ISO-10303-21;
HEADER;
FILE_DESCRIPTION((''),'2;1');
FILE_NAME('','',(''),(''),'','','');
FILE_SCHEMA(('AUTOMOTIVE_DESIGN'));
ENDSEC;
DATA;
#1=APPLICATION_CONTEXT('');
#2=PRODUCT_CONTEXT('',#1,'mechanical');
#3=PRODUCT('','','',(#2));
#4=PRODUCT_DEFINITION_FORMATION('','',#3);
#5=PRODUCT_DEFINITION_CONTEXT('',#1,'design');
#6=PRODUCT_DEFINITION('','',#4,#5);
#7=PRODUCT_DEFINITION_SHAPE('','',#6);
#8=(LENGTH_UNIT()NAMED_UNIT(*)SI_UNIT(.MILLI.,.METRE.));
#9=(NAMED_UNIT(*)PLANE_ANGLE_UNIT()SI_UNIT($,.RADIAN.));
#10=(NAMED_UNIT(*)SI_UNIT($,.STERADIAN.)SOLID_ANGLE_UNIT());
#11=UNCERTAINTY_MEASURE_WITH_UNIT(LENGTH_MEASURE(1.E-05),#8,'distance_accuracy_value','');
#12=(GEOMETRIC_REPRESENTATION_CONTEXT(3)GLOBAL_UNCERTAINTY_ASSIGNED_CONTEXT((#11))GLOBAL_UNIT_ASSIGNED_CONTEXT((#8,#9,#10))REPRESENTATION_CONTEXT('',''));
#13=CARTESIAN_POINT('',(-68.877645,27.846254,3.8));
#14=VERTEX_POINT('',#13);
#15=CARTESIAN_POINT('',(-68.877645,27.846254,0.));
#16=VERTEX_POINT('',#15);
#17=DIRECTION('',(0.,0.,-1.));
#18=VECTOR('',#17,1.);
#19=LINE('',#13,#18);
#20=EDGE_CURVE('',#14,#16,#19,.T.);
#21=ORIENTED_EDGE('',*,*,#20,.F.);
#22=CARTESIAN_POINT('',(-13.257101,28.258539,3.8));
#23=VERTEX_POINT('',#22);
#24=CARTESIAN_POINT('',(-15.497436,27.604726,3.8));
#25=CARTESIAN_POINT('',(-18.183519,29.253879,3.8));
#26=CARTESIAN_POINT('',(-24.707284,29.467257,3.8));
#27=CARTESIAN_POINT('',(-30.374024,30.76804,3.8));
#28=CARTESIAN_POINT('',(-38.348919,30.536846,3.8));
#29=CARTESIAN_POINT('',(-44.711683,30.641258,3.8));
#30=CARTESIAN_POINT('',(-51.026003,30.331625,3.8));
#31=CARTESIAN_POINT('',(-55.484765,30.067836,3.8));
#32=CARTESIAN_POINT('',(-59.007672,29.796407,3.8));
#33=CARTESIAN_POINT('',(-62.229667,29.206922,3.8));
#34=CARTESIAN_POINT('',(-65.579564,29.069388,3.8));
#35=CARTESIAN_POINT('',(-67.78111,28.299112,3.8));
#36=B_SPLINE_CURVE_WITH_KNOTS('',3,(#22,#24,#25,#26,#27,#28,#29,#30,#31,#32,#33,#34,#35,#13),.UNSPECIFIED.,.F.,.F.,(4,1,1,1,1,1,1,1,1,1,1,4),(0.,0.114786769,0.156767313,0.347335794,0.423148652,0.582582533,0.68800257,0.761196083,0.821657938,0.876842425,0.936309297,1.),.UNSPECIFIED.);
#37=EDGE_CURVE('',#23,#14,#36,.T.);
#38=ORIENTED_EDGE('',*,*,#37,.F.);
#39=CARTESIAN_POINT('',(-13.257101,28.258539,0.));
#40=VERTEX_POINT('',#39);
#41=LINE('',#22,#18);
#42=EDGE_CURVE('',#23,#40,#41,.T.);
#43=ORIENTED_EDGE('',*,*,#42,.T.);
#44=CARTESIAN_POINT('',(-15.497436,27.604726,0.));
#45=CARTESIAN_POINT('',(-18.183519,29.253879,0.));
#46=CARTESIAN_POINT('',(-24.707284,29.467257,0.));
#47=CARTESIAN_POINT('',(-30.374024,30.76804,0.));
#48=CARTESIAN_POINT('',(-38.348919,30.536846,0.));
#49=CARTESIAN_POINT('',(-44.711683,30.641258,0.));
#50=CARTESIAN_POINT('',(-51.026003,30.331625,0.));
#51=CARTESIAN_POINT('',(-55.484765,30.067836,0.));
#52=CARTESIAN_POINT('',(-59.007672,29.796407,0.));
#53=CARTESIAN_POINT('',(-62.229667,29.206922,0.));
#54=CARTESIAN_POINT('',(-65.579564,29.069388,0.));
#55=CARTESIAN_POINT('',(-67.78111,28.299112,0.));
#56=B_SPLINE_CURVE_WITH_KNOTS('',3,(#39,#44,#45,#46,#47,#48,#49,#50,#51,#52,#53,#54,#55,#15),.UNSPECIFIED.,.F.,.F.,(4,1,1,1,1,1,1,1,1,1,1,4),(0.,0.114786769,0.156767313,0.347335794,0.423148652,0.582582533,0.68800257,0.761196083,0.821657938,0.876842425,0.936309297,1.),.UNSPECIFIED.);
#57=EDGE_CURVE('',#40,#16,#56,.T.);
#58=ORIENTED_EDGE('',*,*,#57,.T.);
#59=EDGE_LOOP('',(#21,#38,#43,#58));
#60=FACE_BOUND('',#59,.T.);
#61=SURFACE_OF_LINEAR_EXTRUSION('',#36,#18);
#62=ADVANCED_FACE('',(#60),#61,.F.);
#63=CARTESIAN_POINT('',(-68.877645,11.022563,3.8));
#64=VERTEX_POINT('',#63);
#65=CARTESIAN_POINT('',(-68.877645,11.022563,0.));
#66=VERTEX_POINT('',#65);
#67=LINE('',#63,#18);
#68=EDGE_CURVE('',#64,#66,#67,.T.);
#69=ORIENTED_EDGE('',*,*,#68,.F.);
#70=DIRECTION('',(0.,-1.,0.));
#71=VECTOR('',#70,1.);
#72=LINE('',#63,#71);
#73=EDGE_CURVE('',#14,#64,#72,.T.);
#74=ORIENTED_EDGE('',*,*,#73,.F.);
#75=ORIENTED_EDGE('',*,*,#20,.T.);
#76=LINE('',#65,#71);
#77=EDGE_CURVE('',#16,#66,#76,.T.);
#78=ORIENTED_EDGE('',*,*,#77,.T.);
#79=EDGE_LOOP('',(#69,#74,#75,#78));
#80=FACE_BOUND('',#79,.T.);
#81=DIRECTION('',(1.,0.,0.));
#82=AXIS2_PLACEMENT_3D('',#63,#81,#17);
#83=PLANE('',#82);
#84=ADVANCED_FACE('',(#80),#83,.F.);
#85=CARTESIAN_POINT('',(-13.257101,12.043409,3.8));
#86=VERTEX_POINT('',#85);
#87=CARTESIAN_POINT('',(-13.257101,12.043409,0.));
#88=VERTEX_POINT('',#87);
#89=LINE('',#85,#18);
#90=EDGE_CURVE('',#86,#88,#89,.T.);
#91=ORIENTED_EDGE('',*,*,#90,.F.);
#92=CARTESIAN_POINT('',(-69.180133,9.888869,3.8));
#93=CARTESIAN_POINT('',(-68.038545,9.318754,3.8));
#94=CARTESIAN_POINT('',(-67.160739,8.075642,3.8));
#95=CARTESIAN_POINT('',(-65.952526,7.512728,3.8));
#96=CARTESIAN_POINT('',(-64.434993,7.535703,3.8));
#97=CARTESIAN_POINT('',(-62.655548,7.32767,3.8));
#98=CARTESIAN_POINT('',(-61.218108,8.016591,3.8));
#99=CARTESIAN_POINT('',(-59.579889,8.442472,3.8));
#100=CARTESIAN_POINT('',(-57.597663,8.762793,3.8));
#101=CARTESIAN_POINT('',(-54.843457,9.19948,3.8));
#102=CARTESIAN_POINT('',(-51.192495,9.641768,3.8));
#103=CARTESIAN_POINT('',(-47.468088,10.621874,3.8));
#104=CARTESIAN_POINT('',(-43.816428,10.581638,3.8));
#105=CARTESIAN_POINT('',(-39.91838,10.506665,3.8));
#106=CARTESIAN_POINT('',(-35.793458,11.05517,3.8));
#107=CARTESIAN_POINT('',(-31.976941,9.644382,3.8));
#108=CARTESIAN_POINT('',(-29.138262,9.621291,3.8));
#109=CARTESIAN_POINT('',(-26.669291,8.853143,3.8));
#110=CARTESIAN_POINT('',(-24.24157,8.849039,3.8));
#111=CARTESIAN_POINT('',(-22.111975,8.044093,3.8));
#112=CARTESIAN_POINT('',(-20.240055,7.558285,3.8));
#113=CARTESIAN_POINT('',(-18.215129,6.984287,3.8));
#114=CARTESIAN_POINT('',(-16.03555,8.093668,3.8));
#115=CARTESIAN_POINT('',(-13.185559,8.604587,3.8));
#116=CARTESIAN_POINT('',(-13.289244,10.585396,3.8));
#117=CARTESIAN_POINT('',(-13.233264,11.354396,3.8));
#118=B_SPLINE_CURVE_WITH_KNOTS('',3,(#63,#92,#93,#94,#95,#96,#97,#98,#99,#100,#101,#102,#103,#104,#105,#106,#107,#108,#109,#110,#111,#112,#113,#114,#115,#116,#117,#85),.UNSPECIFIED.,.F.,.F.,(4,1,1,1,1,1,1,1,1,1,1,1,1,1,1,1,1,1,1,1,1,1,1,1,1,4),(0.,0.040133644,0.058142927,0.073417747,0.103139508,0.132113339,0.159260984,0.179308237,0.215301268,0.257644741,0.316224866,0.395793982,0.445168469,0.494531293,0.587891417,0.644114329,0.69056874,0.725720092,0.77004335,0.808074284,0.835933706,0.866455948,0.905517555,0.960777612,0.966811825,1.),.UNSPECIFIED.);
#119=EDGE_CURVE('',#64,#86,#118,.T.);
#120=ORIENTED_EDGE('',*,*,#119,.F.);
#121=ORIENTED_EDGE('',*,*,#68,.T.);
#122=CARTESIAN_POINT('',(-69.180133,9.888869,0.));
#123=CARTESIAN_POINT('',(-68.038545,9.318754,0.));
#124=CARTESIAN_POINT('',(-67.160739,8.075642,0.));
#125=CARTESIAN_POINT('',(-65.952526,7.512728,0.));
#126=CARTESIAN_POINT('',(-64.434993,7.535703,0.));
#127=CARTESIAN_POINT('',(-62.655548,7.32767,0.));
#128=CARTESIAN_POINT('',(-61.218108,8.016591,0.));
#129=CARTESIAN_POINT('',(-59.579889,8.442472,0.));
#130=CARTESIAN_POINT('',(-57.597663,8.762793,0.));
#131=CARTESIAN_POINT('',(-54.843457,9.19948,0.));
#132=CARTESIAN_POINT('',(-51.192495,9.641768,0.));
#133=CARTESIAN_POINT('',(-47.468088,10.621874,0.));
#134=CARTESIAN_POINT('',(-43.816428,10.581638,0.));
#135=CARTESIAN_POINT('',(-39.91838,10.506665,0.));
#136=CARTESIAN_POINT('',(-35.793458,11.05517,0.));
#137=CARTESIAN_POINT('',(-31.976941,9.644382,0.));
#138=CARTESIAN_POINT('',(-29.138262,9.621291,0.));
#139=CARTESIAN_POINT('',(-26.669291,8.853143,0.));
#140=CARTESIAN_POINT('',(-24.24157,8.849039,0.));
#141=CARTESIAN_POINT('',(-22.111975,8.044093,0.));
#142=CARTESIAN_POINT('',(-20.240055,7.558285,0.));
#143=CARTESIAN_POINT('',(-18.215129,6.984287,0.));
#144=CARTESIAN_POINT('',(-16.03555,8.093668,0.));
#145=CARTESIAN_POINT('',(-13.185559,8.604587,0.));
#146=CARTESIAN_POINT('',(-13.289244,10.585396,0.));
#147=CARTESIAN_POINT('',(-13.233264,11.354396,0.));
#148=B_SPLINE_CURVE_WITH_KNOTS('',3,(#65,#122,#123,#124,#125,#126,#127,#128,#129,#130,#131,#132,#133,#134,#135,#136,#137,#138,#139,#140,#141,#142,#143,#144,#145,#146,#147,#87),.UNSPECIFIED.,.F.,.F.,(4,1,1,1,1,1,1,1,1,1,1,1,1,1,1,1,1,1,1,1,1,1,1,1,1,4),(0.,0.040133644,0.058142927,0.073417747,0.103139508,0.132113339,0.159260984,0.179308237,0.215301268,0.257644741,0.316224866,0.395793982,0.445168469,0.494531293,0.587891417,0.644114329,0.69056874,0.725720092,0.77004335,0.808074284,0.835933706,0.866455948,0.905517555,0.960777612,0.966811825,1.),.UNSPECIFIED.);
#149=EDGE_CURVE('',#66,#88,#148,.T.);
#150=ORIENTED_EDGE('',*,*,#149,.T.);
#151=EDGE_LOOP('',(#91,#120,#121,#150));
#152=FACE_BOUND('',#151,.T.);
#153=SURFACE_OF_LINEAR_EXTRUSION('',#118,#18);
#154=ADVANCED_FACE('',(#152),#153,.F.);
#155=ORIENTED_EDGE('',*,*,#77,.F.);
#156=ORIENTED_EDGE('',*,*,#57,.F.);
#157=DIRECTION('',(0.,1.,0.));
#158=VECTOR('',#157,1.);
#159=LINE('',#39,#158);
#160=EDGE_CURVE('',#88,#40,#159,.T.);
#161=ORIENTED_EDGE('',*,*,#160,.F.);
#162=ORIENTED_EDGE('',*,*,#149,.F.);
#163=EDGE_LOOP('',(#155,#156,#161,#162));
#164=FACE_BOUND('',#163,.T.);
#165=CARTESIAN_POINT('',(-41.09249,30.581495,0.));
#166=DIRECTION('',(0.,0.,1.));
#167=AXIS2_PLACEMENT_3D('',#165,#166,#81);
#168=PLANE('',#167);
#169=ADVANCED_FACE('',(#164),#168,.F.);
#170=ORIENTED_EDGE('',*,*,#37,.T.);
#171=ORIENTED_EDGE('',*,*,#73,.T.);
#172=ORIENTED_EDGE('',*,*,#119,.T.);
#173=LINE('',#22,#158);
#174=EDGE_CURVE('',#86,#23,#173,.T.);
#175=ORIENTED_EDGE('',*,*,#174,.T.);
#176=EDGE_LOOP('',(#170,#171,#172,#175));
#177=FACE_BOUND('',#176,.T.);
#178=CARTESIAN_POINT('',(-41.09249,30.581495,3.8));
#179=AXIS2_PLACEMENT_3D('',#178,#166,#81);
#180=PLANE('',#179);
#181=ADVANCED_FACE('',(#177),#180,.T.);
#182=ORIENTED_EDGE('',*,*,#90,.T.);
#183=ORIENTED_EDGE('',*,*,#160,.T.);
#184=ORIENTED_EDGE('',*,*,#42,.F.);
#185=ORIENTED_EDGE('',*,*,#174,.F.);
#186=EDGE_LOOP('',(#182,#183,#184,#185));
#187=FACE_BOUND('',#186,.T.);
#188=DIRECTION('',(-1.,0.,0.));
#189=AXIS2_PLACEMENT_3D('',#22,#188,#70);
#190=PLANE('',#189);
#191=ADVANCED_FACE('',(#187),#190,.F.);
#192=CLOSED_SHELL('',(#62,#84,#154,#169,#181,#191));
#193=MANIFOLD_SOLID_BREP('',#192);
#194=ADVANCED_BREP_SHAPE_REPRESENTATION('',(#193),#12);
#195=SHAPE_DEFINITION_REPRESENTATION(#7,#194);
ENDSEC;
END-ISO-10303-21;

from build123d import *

# Parameters (mm, degrees)
EXTRUDE1_DEPTH = 3.8


with BuildPart() as part:
    # Sketch1 → Extrude1 (new body)
    with BuildSketch(Plane.XY):
        with BuildLine():
            Line((-13.257101377, 28.258538753), (-13.257101377, 12.043408806))
            add(Edge.make_bspline(
                [(-68.877644788, 11.02256294), (-69.180133174, 9.888868663), (-68.038544697, 9.318753971), (-67.160738855, 8.075641987), (-65.952525838, 7.51272839), (-64.434992733, 7.535702615), (-62.655548043, 7.327670341), (-61.218107736, 8.016591429), (-59.579889283, 8.442472011), (-57.597663147, 8.762793), (-54.843457294, 9.199480193), (-51.192495426, 9.641768165), (-47.468087597, 10.621874176), (-43.816428485, 10.581637676), (-39.918379973, 10.506664676), (-35.793457679, 11.055169938), (-31.976940875, 9.64438232), (-29.138262344, 9.62129142), (-26.66929144, 8.853142808), (-24.241570465, 8.849038989), (-22.111974798, 8.044093176), (-20.240055082, 7.558284701), (-18.215129191, 6.984286524), (-16.035550202, 8.093667845), (-13.185558526, 8.604587393), (-13.289243986, 10.585395842), (-13.233264232, 11.354396414), (-13.257101377, 12.043408806)],
                knots=[0, 0, 0, 0, 0.040133644, 0.058142927, 0.073417747, 0.103139508, 0.132113339, 0.159260984, 0.179308237, 0.215301268, 0.257644741, 0.316224866, 0.395793982, 0.445168469, 0.494531293, 0.587891417, 0.644114329, 0.69056874, 0.725720092, 0.77004335, 0.808074284, 0.835933706, 0.866455948, 0.905517555, 0.960777612, 0.966811825, 1, 1, 1, 1], degree=3))
            Line((-68.877644788, 11.02256294), (-68.877644788, 27.846254328))
            add(Edge.make_bspline(
                [(-68.877644788, 27.846254328), (-67.78111006, 28.299111994), (-65.57956443, 29.069387663), (-62.229666819, 29.20692175), (-59.007671534, 29.796406633), (-55.484765341, 30.06783613), (-51.026003458, 30.331625464), (-44.711683338, 30.641257733), (-38.348918542, 30.536846419), (-30.374024425, 30.768039627), (-24.70728443, 29.467256712), (-18.18351894, 29.253879384), (-15.497435651, 27.60472604), (-13.257101377, 28.258538753)],
                knots=[0, 0, 0, 0, 0.063690703, 0.123157575, 0.178342062, 0.238803917, 0.31199743, 0.417417467, 0.576851348, 0.652664206, 0.843232687, 0.885213231, 1, 1, 1, 1], degree=3))
        make_face()
    extrude(amount=EXTRUDE1_DEPTH)


solid = part.part
